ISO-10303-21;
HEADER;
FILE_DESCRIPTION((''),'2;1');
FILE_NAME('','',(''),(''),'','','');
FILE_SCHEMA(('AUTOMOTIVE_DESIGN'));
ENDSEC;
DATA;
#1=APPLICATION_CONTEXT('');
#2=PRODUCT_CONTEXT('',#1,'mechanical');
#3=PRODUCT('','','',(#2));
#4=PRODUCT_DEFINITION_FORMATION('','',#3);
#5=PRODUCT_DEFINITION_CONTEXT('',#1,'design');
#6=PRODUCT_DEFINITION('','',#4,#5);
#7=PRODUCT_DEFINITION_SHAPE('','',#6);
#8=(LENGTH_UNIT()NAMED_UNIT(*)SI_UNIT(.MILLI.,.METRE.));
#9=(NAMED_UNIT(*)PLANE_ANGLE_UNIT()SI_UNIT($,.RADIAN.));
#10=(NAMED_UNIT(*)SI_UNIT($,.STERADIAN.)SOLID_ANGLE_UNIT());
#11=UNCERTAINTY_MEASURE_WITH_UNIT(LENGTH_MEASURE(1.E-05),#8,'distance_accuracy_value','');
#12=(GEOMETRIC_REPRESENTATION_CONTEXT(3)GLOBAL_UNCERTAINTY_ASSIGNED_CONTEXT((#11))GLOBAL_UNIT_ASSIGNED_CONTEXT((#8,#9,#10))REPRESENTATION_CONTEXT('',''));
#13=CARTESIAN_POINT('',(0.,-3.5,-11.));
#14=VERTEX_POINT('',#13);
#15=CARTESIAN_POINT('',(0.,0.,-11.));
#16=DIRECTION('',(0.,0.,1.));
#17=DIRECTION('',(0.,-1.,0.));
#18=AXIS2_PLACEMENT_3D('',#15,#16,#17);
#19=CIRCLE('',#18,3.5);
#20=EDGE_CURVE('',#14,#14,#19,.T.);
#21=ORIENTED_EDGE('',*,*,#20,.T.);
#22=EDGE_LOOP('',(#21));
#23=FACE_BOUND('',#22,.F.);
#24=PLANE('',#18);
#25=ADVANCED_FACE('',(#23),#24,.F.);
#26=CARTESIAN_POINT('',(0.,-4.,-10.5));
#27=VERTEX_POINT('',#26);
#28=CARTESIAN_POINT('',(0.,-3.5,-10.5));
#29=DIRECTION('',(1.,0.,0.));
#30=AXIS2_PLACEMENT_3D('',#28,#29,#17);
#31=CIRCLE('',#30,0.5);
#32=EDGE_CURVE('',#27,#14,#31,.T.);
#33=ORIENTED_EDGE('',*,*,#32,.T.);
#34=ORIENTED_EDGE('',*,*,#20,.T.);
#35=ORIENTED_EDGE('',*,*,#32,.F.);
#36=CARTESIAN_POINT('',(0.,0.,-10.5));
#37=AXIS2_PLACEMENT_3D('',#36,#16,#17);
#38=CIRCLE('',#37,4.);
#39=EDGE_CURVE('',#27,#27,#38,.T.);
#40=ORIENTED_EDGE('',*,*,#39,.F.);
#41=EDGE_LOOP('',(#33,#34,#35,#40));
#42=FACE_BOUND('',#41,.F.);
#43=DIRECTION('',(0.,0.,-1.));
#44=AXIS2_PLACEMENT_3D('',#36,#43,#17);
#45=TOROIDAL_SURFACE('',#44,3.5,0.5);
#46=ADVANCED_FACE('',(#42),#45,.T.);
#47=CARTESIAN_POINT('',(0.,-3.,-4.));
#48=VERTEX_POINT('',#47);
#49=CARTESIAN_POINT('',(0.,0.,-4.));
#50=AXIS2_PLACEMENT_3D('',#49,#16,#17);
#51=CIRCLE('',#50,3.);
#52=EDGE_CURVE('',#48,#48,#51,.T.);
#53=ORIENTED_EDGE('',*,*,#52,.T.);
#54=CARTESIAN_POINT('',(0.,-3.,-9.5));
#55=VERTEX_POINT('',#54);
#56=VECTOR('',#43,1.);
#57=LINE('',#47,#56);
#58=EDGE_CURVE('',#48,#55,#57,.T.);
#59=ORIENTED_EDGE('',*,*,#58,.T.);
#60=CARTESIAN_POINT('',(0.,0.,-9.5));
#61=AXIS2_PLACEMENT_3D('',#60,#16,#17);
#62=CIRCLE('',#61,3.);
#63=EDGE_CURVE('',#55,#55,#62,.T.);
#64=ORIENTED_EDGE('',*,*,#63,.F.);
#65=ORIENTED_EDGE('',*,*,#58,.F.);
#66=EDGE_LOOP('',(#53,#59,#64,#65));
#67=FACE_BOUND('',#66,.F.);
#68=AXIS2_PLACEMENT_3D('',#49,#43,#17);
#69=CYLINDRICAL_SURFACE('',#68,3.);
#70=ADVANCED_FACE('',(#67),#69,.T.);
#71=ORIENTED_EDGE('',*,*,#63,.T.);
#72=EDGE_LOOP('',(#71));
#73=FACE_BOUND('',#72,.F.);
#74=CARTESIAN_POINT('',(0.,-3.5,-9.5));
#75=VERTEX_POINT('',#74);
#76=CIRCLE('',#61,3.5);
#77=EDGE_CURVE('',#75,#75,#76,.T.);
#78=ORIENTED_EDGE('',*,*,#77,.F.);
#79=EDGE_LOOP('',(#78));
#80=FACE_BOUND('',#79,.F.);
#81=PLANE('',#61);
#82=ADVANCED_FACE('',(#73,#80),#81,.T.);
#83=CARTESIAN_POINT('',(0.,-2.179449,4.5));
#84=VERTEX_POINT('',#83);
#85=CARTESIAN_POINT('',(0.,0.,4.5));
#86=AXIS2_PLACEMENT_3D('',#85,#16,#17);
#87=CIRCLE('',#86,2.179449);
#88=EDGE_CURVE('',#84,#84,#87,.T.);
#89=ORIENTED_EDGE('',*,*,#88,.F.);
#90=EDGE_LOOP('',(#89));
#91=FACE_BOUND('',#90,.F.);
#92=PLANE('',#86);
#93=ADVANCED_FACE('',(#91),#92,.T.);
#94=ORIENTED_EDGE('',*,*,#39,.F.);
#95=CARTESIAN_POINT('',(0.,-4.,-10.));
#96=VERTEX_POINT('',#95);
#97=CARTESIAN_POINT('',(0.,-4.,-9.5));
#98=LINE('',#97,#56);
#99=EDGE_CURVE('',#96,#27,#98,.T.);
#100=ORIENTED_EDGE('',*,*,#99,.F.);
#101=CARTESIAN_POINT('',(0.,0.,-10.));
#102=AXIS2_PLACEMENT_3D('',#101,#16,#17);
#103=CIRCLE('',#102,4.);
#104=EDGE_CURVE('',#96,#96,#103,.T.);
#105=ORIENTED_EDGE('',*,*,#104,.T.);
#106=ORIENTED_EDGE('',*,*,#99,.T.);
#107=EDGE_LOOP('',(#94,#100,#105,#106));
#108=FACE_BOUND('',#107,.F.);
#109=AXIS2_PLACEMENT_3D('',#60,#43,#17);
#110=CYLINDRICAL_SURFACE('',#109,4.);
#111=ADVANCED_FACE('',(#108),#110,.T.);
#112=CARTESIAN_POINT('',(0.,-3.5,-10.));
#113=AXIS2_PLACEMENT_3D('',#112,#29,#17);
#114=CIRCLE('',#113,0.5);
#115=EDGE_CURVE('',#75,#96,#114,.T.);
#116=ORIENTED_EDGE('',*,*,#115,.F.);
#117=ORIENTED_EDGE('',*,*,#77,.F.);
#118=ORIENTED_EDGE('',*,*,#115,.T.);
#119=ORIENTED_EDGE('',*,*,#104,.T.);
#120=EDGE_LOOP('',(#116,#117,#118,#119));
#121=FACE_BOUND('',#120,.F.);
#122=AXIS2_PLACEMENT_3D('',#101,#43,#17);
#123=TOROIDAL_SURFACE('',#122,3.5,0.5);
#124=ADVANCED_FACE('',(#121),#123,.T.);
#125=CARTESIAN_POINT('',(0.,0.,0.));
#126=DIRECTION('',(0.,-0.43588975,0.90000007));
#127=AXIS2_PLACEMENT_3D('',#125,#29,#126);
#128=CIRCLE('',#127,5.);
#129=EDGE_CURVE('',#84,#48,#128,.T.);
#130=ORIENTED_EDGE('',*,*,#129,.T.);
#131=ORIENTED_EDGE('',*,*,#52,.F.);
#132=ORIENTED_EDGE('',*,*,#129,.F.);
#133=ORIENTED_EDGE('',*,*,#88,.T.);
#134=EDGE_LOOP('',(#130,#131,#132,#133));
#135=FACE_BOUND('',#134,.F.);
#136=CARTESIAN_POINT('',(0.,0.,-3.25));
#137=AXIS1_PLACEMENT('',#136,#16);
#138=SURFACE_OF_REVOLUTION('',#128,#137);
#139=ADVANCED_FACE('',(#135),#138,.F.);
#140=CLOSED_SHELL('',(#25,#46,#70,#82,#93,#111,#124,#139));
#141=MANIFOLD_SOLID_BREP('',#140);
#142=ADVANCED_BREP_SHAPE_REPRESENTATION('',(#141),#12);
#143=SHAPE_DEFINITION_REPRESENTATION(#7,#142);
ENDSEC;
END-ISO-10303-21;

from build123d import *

# Parameters (mm, degrees)
F2_R = 0.5


with BuildPart() as f1:
    # F0 (on Right) → F1 (revolve)
    with BuildSketch(Plane.YZ):
        with BuildLine():
            Line((0, 4.5), (-2.179449, 4.5))
            ThreePointArc((-2.179449, 4.5), (-4.976864, 0.480443), (-3, -4))
            Line((-3, -4), (-3, -5))
            Line((-3, -5), (-3, -9.5))
            Line((-3, -9.5), (-4, -9.5))
            Line((-4, -9.5), (-4, -11))
            Line((-4, -11), (0, -11))
            Line((0, -11), (0, 4.5))
        make_face()
    revolve(axis=Axis((0, 0, -3.25), (0, 0, 1)))

    # F2
    f2_edges = [f1.edges().sort_by_distance(p)[0] for p in [
        (0, 4, -9.5),
        (0, 4, -11),
        (0, -4, -10.25),
    ]]
    fillet(f2_edges, radius=F2_R)


solid = f1.part
